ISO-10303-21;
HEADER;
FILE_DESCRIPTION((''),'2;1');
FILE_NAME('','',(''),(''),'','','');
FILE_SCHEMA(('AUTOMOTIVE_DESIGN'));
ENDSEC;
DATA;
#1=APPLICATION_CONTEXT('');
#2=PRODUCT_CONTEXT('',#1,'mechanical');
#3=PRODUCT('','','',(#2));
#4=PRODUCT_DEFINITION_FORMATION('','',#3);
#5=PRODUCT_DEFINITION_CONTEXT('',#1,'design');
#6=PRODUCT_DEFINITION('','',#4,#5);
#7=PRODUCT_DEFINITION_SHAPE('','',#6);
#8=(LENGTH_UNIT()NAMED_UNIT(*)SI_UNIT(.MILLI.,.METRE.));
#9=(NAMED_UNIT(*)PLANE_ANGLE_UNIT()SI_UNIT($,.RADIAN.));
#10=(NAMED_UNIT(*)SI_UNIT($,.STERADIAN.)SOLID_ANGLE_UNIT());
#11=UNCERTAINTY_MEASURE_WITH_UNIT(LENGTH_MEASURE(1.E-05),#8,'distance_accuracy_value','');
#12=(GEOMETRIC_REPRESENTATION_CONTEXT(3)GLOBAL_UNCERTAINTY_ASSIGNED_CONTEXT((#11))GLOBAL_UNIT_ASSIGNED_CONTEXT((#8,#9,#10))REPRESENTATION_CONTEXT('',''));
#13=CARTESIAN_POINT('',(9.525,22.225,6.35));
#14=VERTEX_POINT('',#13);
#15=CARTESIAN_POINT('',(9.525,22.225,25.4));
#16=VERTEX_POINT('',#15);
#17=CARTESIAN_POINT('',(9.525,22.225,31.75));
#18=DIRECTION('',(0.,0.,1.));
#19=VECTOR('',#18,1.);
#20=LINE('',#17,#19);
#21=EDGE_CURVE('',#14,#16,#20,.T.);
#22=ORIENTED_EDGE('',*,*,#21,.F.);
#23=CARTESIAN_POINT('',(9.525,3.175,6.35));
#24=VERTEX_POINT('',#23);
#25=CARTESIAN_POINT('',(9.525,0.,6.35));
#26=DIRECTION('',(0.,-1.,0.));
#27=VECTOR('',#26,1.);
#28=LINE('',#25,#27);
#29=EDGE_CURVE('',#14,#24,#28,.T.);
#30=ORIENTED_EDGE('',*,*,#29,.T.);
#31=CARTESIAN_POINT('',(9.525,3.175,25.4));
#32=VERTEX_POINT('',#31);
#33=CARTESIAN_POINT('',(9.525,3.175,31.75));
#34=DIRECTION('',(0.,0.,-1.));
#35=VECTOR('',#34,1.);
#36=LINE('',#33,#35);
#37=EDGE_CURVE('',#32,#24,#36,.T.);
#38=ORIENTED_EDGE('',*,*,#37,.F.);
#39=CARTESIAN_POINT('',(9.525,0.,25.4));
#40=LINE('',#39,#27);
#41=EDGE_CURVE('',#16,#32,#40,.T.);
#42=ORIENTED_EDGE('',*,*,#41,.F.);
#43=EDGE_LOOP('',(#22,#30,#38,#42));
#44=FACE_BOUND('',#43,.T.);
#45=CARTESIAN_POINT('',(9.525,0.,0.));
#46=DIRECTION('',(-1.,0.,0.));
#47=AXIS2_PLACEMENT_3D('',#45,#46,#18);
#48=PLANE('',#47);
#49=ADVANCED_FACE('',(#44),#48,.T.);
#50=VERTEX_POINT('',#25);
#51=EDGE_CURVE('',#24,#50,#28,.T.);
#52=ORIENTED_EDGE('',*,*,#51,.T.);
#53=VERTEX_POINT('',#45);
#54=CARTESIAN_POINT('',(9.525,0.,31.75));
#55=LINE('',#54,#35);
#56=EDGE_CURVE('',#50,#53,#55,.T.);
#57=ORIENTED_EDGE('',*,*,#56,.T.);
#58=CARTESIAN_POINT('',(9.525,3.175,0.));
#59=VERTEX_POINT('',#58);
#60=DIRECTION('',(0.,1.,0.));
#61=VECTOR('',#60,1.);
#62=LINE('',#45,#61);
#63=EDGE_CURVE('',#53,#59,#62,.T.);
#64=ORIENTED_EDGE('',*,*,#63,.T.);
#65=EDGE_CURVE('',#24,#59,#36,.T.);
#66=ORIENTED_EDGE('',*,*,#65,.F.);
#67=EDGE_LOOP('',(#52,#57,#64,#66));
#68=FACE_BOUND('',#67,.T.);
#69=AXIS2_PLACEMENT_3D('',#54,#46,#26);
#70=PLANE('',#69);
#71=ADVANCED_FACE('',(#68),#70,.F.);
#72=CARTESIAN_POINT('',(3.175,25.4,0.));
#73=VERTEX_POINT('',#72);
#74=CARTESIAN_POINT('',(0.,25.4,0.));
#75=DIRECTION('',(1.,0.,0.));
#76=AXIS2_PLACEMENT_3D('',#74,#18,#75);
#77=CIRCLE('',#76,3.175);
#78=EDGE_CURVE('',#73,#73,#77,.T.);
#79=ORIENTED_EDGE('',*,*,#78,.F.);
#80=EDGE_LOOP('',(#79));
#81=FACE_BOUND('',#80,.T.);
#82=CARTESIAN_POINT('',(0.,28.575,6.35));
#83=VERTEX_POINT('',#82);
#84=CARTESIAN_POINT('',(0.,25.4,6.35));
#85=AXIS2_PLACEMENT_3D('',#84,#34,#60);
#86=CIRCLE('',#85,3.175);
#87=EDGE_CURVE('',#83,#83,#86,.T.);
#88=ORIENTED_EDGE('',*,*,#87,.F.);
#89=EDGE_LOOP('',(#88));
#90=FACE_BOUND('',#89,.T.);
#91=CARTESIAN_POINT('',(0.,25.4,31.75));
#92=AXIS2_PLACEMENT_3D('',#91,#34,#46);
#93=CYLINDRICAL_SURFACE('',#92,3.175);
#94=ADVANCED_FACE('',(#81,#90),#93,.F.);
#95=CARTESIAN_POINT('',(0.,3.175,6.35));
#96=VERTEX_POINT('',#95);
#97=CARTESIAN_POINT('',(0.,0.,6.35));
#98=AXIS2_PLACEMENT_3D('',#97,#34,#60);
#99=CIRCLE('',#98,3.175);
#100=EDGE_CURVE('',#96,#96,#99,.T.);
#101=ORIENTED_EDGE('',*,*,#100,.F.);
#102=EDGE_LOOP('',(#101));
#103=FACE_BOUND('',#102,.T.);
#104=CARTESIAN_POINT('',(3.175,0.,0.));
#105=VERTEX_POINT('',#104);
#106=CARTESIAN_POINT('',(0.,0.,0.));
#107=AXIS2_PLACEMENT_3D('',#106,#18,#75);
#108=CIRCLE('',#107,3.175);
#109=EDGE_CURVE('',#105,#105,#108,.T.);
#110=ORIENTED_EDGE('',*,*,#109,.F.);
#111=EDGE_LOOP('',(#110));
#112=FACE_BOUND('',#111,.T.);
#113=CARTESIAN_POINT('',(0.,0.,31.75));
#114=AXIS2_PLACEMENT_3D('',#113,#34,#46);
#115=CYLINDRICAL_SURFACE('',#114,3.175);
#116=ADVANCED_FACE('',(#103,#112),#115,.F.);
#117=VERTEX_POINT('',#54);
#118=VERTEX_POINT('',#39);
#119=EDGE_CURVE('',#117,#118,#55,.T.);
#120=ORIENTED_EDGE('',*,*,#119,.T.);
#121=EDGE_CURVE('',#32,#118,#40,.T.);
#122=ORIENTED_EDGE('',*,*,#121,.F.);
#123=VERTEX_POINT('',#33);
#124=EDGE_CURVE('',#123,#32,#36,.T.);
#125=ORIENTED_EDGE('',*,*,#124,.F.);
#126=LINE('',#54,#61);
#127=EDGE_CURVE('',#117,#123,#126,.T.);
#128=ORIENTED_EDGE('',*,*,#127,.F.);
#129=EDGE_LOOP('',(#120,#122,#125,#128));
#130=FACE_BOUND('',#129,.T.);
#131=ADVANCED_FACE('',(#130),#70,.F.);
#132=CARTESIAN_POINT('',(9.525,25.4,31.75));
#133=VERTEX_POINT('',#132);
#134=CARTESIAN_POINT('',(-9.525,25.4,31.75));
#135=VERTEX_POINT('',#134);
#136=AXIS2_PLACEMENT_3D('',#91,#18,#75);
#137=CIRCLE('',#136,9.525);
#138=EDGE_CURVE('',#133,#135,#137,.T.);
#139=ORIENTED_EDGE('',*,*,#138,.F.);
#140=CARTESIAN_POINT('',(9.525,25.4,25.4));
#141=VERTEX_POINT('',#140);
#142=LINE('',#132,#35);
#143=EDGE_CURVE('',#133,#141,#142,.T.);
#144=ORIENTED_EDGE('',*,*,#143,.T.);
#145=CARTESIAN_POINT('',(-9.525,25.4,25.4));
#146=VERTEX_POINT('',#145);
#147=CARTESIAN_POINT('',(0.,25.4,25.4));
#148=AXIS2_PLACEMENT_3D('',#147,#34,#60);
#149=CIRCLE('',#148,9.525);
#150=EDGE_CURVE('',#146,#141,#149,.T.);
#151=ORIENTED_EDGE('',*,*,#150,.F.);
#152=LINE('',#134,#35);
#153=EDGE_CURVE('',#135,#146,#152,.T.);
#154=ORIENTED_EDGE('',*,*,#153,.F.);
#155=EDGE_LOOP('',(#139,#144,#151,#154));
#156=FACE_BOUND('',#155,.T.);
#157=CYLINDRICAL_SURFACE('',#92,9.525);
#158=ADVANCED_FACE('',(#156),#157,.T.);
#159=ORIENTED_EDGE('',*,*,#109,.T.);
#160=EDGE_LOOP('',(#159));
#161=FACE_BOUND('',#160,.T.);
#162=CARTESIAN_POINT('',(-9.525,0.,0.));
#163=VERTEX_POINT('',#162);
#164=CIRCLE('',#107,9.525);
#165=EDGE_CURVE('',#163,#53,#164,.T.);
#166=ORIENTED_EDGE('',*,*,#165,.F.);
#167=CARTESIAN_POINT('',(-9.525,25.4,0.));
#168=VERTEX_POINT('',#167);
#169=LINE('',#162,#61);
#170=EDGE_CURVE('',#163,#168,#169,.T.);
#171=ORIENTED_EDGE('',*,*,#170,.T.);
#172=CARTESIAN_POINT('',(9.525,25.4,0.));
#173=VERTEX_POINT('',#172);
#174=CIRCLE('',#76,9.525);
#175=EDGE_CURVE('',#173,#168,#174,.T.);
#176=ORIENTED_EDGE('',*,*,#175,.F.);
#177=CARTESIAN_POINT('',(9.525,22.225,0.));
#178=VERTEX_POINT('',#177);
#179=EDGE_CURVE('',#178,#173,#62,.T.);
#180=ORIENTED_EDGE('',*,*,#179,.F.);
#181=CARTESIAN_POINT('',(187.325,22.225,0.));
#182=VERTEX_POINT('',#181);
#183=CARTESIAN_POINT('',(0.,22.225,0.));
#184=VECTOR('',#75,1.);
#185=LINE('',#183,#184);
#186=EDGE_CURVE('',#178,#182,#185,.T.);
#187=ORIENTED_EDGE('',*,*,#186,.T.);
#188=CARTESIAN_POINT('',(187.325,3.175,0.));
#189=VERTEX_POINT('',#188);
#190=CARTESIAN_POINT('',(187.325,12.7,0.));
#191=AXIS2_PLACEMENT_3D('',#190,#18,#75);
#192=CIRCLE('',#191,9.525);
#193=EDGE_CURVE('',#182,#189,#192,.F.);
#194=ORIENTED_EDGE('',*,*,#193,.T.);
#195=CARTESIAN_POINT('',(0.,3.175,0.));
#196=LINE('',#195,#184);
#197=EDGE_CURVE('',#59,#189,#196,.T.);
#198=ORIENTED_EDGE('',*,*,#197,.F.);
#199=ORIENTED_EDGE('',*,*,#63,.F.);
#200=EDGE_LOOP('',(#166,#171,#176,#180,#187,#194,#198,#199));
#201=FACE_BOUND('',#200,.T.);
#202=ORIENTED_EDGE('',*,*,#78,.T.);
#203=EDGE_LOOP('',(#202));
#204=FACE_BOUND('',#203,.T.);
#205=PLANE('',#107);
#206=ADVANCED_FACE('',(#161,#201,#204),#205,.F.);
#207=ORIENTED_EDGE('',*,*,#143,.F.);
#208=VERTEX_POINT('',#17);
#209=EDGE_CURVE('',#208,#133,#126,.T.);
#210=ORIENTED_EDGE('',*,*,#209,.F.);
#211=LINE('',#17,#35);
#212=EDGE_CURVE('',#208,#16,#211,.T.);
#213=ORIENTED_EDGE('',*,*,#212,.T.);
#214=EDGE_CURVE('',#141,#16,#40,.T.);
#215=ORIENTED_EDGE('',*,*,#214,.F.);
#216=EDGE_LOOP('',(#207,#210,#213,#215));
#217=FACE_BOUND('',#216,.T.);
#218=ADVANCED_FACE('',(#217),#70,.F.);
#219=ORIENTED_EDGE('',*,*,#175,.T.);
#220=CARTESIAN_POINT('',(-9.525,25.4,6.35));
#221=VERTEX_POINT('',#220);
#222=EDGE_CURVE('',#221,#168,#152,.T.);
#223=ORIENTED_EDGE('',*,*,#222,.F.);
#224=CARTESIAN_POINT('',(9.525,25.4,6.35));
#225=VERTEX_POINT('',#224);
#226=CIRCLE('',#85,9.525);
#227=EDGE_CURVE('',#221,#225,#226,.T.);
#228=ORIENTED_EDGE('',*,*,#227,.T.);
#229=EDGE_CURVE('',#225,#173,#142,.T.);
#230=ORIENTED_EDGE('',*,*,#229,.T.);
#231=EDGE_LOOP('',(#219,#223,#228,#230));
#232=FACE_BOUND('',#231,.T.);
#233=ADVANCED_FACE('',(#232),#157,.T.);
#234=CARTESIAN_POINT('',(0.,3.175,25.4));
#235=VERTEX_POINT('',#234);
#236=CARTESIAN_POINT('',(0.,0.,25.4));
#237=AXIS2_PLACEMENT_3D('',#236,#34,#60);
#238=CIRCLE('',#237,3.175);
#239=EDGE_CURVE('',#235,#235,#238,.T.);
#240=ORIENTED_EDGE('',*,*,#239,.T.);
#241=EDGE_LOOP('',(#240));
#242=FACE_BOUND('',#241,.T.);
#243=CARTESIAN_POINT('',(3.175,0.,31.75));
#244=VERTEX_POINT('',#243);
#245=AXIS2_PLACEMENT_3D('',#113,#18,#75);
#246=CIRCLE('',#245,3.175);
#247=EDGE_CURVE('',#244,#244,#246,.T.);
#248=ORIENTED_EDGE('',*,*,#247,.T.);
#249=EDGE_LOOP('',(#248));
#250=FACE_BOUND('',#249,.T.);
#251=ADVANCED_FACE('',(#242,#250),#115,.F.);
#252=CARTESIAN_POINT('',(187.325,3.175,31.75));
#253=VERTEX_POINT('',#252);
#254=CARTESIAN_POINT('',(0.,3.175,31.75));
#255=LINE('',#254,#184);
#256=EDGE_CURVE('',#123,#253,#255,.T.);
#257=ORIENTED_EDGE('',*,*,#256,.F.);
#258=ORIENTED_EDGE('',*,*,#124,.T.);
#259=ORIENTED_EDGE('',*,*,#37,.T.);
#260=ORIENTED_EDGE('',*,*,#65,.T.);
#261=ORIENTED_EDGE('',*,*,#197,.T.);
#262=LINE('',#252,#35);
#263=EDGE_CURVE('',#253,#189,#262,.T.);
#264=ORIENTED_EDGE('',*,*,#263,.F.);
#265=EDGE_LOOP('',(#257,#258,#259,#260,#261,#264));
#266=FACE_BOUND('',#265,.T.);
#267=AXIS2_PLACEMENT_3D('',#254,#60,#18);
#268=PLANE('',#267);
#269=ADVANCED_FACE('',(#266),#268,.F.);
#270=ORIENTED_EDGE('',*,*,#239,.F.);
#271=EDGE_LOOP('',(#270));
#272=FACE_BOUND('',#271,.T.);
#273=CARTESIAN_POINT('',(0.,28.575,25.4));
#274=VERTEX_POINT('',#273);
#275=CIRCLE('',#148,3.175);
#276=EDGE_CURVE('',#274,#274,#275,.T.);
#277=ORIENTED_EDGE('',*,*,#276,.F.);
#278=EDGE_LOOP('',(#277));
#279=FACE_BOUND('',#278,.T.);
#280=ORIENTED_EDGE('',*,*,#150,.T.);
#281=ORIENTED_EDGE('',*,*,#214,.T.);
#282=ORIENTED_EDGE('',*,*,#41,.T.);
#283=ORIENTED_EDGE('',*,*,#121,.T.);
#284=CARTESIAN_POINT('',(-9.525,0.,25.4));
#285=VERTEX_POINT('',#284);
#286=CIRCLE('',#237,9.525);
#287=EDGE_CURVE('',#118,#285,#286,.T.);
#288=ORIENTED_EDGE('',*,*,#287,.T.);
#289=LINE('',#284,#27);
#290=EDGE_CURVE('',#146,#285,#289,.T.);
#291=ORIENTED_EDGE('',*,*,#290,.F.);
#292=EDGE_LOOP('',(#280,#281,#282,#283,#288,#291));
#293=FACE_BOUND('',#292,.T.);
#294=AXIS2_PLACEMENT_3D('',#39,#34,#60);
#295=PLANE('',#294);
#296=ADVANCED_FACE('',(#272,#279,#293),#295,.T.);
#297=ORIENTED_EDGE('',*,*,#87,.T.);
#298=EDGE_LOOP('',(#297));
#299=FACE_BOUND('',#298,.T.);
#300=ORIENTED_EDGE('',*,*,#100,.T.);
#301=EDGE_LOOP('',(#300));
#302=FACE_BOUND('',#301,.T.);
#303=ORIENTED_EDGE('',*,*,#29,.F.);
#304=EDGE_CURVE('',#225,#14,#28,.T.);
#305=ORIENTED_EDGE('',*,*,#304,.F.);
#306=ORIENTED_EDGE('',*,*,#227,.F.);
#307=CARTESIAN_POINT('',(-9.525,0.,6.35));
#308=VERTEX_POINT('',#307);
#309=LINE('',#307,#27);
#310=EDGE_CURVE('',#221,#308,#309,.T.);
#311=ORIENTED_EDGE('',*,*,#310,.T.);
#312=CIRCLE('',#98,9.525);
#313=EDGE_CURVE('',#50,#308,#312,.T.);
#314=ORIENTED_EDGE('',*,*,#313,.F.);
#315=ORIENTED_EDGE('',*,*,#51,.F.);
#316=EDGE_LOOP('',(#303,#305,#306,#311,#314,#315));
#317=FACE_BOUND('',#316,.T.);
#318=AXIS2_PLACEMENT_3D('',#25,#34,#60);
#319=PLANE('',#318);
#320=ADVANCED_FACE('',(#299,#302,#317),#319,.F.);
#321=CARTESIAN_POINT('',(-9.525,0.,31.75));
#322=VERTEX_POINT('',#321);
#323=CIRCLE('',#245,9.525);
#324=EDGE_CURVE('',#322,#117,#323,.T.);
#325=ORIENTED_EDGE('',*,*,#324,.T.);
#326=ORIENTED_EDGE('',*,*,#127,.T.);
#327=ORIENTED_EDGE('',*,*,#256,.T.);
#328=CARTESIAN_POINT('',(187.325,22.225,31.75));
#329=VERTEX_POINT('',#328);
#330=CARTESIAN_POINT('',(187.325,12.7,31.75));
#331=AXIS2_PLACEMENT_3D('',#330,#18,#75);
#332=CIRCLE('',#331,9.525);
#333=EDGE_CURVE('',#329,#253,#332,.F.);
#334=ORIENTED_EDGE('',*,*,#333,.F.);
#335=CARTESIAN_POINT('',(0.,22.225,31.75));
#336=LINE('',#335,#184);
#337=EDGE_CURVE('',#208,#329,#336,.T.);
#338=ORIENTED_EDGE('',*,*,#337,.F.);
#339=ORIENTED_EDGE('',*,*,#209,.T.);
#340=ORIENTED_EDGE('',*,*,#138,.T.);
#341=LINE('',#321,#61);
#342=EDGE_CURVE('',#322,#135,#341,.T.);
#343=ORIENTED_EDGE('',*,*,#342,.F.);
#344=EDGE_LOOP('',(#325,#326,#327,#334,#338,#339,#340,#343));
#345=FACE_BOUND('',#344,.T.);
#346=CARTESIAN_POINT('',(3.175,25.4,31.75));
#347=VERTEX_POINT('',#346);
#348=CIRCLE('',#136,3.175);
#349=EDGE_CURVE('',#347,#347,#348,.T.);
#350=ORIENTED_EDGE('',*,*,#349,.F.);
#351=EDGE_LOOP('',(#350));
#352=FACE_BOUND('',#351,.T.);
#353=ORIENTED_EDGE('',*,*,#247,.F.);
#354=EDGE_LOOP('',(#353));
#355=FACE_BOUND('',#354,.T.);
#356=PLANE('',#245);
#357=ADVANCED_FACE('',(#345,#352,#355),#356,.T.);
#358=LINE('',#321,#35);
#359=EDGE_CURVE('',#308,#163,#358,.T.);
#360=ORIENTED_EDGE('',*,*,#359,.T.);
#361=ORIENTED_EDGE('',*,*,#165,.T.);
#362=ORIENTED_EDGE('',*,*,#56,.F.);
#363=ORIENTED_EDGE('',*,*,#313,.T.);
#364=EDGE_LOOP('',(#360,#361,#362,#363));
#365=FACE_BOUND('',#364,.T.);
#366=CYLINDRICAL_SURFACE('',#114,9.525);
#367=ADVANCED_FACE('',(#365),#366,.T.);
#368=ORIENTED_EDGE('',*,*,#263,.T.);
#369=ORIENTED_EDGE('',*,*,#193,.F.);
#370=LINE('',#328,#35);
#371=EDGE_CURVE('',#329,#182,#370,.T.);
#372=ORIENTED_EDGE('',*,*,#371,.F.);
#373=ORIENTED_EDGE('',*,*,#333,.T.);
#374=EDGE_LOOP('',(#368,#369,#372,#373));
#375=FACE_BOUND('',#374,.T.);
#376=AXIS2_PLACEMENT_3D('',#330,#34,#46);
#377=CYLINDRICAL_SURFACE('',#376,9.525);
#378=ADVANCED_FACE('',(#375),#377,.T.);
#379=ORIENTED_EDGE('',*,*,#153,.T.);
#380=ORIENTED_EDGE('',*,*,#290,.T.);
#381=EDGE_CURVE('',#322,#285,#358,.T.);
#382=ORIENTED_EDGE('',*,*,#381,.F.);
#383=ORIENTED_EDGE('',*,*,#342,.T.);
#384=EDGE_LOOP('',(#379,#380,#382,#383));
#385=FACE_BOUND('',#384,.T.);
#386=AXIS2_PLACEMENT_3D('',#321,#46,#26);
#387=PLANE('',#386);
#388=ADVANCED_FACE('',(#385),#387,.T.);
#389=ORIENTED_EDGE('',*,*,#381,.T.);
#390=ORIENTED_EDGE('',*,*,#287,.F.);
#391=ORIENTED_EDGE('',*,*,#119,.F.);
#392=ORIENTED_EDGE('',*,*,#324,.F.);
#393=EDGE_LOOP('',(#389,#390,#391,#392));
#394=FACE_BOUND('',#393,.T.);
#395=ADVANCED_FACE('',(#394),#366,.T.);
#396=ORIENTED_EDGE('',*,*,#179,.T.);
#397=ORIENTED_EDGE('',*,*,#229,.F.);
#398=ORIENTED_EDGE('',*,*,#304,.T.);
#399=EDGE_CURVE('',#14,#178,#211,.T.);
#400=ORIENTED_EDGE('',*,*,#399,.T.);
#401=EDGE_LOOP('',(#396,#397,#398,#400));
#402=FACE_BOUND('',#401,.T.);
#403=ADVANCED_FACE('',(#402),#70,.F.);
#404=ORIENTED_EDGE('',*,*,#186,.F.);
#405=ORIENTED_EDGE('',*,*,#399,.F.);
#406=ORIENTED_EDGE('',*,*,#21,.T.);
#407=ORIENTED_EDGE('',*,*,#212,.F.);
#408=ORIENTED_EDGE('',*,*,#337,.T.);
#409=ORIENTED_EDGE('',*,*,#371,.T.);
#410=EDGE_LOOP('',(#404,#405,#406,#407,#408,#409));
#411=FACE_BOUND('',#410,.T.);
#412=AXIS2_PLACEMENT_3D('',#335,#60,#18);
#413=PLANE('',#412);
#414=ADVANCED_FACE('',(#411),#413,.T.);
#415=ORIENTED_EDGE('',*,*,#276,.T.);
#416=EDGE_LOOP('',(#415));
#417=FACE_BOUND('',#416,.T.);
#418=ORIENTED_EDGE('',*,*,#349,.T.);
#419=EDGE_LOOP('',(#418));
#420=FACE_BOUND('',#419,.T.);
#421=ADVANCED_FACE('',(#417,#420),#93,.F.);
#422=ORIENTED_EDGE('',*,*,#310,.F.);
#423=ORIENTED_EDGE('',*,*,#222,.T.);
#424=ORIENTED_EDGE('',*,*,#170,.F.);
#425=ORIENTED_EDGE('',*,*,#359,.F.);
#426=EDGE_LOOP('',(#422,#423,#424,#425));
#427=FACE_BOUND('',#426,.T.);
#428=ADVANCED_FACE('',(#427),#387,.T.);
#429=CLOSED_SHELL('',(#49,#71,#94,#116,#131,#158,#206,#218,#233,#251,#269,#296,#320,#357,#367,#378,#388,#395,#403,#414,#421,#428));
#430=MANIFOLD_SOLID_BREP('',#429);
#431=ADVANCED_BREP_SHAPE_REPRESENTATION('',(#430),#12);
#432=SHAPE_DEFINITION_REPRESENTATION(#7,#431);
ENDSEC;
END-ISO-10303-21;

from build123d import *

# Parameters (mm, degrees)
SKETCH1_R           = 3.175
BOSS_EXTRUDE1_DEPTH = 31.75
SKETCH2_W           = 19.05
SKETCH2_H           = 25.4
SKETCH2_H_2         = 9.525
CUT_EXTRUDE1_DEPTH  = 19.05


with BuildPart() as part:
    # Sketch1 → Boss-Extrude1 (new body)
    with BuildSketch(Plane.XY):
        with BuildLine():
            Line((-9.525, 25.4), (-9.525, 0))
            ThreePointArc((-9.525, 0), (0, -9.525), (9.525, 0))
            Line((9.525, 0), (9.525, 3.175))
            Line((9.525, 3.175), (187.325, 3.175))
            ThreePointArc((187.325, 3.175), (196.85, 12.7), (187.325, 22.225))
            Line((187.325, 22.225), (9.525, 22.225))
            Line((9.525, 22.225), (9.525, 25.4))
            ThreePointArc((9.525, 25.4), (0, 34.925), (-9.525, 25.4))
        make_face()
        Circle(SKETCH1_R, mode=Mode.SUBTRACT)
        with Locations((0, 25.4)):
            Circle(SKETCH1_R, mode=Mode.SUBTRACT)
    extrude(amount=BOSS_EXTRUDE1_DEPTH)

    # Sketch2 → Cut-Extrude1 (cut)
    with BuildSketch(Plane.ZY.offset(9.525)):
        with Locations((15.875, 12.7)):
            Rectangle(SKETCH2_W, SKETCH2_H)
        with Locations((15.875, 30.1625)):
            Rectangle(SKETCH2_W, SKETCH2_H_2)
        with Locations((15.875, -4.7625)):
            Rectangle(SKETCH2_W, SKETCH2_H_2)
    extrude(amount=-CUT_EXTRUDE1_DEPTH, mode=Mode.SUBTRACT)


solid = part.part
